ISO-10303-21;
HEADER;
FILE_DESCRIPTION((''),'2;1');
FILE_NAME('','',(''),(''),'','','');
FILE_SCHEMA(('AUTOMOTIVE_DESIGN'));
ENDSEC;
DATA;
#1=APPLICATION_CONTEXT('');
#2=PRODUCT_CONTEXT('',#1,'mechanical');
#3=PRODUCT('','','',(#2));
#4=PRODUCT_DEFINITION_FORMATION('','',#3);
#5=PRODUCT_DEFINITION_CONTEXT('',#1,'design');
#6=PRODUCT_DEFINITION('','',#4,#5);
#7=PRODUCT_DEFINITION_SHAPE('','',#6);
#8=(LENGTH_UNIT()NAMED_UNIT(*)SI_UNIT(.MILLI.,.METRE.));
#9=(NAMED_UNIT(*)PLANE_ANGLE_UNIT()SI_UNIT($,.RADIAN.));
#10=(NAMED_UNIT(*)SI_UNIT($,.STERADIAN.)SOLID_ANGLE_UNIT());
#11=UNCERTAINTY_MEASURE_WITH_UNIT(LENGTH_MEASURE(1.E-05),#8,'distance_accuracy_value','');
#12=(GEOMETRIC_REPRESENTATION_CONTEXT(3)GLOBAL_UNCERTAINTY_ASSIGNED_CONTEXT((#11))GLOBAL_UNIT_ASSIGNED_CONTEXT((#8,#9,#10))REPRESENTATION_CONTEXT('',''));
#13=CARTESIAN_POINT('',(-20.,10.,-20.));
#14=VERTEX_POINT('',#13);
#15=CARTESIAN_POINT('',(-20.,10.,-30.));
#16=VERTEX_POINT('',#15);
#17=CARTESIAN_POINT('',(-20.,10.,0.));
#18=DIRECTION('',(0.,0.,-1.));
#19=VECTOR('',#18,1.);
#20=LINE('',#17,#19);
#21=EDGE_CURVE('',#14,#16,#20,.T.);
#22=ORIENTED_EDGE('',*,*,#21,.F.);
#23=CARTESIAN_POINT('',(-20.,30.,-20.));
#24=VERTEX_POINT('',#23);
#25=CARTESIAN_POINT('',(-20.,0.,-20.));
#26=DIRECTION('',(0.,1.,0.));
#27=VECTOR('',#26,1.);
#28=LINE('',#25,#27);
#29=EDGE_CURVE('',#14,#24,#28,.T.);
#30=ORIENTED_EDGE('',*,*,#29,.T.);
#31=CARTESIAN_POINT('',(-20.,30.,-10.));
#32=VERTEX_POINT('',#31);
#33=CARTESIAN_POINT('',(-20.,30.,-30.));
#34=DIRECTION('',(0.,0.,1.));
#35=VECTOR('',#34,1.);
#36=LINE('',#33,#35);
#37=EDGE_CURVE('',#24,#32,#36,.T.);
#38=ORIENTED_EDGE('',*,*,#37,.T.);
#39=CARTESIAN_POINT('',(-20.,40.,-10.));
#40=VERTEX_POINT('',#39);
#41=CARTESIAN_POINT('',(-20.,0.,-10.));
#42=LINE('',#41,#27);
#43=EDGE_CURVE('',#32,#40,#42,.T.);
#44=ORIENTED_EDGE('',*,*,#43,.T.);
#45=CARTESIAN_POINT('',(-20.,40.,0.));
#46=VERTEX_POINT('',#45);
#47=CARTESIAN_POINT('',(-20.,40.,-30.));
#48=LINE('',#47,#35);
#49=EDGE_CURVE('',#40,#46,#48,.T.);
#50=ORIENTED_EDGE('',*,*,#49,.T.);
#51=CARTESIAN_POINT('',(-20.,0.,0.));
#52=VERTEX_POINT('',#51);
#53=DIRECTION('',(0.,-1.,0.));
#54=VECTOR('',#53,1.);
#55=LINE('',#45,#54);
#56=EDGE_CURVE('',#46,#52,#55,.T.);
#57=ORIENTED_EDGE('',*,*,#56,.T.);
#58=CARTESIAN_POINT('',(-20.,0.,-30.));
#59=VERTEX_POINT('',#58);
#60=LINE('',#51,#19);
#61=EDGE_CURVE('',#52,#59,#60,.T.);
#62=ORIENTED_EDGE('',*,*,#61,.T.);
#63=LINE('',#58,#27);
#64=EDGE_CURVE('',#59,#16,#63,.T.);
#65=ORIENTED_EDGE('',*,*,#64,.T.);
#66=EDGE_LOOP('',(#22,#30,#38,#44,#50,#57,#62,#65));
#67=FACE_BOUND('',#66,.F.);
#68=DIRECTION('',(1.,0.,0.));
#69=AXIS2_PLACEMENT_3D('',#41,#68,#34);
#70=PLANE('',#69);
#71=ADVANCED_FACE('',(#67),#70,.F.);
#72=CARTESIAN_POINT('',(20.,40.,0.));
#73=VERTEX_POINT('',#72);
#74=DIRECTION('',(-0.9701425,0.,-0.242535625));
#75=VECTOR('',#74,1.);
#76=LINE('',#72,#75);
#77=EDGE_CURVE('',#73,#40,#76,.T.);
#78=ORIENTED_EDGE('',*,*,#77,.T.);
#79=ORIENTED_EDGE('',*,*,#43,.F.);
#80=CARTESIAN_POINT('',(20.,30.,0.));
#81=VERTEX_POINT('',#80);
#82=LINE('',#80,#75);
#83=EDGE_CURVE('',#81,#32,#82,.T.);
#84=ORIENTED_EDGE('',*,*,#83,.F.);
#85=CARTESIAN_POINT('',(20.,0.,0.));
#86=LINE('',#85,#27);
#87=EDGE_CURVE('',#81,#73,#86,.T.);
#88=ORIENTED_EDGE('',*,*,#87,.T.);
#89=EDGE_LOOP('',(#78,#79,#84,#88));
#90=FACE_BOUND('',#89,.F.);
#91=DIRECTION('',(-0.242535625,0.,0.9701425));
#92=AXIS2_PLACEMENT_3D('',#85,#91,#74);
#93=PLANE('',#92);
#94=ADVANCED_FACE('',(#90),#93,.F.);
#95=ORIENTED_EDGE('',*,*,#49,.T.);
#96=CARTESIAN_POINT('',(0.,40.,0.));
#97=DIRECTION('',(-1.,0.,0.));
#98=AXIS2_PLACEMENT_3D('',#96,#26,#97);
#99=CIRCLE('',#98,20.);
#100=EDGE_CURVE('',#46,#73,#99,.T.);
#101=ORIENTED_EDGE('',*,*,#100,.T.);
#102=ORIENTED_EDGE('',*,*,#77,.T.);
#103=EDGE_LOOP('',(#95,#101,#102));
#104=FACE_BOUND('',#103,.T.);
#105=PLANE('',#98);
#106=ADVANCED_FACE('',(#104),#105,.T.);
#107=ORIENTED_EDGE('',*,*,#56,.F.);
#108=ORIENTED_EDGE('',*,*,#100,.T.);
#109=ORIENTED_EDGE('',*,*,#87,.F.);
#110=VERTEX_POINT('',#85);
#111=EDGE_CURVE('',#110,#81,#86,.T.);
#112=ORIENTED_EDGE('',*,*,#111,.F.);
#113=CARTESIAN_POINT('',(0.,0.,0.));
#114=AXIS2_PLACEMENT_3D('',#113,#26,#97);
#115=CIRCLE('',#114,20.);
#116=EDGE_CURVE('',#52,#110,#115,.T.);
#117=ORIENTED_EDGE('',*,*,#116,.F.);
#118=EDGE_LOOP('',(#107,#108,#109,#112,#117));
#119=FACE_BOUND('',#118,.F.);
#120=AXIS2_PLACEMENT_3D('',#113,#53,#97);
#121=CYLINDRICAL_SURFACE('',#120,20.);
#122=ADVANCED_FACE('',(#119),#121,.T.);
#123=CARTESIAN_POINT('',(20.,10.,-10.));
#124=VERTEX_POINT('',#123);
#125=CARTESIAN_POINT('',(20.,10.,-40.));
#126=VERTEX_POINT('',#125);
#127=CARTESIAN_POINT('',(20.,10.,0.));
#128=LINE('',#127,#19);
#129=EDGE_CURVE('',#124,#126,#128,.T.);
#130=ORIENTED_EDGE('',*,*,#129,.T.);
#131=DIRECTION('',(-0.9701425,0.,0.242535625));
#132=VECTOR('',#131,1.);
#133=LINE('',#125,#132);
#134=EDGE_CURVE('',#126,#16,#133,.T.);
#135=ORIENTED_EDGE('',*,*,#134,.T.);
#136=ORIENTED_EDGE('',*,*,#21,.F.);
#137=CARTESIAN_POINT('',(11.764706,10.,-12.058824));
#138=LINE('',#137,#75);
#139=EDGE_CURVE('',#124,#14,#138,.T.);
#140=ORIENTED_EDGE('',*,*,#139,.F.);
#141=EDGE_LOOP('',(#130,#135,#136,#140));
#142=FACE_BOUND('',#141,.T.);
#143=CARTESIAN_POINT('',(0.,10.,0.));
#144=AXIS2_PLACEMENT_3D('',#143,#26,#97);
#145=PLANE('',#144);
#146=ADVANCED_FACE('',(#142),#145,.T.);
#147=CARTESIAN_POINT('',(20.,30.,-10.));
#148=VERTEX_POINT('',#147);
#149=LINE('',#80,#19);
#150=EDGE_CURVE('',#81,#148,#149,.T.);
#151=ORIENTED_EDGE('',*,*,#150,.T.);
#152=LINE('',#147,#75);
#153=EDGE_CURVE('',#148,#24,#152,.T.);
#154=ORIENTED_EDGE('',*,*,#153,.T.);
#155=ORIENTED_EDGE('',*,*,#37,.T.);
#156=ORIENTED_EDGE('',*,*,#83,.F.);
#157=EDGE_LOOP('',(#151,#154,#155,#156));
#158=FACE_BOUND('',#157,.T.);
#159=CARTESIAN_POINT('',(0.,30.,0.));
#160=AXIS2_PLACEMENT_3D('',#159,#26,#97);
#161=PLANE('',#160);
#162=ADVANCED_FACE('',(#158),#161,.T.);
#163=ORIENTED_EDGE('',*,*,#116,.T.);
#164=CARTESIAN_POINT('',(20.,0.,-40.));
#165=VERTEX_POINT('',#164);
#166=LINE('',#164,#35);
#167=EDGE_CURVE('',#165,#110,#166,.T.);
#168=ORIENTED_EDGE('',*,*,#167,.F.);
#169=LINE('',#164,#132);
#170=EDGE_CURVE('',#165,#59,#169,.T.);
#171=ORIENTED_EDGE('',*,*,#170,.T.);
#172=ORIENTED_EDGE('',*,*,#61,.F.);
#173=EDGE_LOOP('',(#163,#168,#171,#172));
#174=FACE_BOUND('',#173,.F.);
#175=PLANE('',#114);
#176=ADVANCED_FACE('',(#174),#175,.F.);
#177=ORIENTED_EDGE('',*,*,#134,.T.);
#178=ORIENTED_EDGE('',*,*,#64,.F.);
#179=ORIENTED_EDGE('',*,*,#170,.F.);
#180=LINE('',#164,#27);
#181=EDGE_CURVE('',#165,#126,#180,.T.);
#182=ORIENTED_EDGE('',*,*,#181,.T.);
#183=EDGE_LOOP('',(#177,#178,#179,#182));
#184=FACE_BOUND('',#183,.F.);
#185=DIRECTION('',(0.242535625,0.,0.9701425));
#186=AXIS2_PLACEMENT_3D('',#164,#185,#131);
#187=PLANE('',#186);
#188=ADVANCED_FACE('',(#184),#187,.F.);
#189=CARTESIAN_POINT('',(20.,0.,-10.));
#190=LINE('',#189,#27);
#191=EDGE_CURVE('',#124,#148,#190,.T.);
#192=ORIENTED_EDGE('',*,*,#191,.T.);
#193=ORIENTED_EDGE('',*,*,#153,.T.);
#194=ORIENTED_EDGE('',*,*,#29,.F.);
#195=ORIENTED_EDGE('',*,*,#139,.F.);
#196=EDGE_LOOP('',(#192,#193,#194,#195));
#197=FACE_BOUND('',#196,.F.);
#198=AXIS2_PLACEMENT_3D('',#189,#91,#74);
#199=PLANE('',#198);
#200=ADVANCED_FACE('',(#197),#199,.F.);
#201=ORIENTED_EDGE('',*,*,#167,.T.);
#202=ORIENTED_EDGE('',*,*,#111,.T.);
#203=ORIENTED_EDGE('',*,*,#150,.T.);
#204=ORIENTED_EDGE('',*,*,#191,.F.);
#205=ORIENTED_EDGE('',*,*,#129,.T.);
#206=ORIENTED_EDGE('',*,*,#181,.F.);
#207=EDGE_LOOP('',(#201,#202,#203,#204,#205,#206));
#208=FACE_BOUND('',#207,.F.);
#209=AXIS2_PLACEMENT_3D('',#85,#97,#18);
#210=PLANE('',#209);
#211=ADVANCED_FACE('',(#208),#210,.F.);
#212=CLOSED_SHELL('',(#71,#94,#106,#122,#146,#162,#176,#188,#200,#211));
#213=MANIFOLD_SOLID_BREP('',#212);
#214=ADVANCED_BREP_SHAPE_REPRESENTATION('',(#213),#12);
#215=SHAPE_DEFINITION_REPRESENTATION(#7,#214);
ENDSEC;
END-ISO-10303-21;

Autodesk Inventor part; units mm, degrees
ref_plane "YZ Plane" through (0, 0, 0) normal (1, 0, 0) x (0, 1, 0)
ref_plane "XZ Plane" through (0, 0, 0) normal (0, 1, 0) x (-1, 0, 0)
ref_plane "XY Plane" through (0, 0, 0) normal (0, 0, 1) x (1, 0, 0)
sketch "草圖1" plane through (0, 0, 0) normal (0, 1, 0) x (-1, 0, 0)
  line L0 (-20, 0) -> (-20, -40)
  line L1 (20, -30) -> (20, 0)
  line L2 (-20, 0) -> (20, -10)
  line L3 (-20, -10) -> (20, -20)
  arc A0 (20, 0) -> (-20, 0) centre (0, 0) ccw
  line L4 (-20, -40) -> (20, -30)
  dimension "d11" = 20
  dimension "d13" = 10
  dimension "d14" = 20
  dimension "d16" = 40
  dimension "d17" = 30
  dimension "d18" = 40
  dimension "d19" = 30
extrude "擠出1" add sketch "草圖1" along normal blind 40 contours A0 L1 L2
extrude "擠出2" add sketch "草圖1" along normal blind 30 contours L2 L1 L3 L0
extrude "擠出3" add sketch "草圖1" along normal blind 10
